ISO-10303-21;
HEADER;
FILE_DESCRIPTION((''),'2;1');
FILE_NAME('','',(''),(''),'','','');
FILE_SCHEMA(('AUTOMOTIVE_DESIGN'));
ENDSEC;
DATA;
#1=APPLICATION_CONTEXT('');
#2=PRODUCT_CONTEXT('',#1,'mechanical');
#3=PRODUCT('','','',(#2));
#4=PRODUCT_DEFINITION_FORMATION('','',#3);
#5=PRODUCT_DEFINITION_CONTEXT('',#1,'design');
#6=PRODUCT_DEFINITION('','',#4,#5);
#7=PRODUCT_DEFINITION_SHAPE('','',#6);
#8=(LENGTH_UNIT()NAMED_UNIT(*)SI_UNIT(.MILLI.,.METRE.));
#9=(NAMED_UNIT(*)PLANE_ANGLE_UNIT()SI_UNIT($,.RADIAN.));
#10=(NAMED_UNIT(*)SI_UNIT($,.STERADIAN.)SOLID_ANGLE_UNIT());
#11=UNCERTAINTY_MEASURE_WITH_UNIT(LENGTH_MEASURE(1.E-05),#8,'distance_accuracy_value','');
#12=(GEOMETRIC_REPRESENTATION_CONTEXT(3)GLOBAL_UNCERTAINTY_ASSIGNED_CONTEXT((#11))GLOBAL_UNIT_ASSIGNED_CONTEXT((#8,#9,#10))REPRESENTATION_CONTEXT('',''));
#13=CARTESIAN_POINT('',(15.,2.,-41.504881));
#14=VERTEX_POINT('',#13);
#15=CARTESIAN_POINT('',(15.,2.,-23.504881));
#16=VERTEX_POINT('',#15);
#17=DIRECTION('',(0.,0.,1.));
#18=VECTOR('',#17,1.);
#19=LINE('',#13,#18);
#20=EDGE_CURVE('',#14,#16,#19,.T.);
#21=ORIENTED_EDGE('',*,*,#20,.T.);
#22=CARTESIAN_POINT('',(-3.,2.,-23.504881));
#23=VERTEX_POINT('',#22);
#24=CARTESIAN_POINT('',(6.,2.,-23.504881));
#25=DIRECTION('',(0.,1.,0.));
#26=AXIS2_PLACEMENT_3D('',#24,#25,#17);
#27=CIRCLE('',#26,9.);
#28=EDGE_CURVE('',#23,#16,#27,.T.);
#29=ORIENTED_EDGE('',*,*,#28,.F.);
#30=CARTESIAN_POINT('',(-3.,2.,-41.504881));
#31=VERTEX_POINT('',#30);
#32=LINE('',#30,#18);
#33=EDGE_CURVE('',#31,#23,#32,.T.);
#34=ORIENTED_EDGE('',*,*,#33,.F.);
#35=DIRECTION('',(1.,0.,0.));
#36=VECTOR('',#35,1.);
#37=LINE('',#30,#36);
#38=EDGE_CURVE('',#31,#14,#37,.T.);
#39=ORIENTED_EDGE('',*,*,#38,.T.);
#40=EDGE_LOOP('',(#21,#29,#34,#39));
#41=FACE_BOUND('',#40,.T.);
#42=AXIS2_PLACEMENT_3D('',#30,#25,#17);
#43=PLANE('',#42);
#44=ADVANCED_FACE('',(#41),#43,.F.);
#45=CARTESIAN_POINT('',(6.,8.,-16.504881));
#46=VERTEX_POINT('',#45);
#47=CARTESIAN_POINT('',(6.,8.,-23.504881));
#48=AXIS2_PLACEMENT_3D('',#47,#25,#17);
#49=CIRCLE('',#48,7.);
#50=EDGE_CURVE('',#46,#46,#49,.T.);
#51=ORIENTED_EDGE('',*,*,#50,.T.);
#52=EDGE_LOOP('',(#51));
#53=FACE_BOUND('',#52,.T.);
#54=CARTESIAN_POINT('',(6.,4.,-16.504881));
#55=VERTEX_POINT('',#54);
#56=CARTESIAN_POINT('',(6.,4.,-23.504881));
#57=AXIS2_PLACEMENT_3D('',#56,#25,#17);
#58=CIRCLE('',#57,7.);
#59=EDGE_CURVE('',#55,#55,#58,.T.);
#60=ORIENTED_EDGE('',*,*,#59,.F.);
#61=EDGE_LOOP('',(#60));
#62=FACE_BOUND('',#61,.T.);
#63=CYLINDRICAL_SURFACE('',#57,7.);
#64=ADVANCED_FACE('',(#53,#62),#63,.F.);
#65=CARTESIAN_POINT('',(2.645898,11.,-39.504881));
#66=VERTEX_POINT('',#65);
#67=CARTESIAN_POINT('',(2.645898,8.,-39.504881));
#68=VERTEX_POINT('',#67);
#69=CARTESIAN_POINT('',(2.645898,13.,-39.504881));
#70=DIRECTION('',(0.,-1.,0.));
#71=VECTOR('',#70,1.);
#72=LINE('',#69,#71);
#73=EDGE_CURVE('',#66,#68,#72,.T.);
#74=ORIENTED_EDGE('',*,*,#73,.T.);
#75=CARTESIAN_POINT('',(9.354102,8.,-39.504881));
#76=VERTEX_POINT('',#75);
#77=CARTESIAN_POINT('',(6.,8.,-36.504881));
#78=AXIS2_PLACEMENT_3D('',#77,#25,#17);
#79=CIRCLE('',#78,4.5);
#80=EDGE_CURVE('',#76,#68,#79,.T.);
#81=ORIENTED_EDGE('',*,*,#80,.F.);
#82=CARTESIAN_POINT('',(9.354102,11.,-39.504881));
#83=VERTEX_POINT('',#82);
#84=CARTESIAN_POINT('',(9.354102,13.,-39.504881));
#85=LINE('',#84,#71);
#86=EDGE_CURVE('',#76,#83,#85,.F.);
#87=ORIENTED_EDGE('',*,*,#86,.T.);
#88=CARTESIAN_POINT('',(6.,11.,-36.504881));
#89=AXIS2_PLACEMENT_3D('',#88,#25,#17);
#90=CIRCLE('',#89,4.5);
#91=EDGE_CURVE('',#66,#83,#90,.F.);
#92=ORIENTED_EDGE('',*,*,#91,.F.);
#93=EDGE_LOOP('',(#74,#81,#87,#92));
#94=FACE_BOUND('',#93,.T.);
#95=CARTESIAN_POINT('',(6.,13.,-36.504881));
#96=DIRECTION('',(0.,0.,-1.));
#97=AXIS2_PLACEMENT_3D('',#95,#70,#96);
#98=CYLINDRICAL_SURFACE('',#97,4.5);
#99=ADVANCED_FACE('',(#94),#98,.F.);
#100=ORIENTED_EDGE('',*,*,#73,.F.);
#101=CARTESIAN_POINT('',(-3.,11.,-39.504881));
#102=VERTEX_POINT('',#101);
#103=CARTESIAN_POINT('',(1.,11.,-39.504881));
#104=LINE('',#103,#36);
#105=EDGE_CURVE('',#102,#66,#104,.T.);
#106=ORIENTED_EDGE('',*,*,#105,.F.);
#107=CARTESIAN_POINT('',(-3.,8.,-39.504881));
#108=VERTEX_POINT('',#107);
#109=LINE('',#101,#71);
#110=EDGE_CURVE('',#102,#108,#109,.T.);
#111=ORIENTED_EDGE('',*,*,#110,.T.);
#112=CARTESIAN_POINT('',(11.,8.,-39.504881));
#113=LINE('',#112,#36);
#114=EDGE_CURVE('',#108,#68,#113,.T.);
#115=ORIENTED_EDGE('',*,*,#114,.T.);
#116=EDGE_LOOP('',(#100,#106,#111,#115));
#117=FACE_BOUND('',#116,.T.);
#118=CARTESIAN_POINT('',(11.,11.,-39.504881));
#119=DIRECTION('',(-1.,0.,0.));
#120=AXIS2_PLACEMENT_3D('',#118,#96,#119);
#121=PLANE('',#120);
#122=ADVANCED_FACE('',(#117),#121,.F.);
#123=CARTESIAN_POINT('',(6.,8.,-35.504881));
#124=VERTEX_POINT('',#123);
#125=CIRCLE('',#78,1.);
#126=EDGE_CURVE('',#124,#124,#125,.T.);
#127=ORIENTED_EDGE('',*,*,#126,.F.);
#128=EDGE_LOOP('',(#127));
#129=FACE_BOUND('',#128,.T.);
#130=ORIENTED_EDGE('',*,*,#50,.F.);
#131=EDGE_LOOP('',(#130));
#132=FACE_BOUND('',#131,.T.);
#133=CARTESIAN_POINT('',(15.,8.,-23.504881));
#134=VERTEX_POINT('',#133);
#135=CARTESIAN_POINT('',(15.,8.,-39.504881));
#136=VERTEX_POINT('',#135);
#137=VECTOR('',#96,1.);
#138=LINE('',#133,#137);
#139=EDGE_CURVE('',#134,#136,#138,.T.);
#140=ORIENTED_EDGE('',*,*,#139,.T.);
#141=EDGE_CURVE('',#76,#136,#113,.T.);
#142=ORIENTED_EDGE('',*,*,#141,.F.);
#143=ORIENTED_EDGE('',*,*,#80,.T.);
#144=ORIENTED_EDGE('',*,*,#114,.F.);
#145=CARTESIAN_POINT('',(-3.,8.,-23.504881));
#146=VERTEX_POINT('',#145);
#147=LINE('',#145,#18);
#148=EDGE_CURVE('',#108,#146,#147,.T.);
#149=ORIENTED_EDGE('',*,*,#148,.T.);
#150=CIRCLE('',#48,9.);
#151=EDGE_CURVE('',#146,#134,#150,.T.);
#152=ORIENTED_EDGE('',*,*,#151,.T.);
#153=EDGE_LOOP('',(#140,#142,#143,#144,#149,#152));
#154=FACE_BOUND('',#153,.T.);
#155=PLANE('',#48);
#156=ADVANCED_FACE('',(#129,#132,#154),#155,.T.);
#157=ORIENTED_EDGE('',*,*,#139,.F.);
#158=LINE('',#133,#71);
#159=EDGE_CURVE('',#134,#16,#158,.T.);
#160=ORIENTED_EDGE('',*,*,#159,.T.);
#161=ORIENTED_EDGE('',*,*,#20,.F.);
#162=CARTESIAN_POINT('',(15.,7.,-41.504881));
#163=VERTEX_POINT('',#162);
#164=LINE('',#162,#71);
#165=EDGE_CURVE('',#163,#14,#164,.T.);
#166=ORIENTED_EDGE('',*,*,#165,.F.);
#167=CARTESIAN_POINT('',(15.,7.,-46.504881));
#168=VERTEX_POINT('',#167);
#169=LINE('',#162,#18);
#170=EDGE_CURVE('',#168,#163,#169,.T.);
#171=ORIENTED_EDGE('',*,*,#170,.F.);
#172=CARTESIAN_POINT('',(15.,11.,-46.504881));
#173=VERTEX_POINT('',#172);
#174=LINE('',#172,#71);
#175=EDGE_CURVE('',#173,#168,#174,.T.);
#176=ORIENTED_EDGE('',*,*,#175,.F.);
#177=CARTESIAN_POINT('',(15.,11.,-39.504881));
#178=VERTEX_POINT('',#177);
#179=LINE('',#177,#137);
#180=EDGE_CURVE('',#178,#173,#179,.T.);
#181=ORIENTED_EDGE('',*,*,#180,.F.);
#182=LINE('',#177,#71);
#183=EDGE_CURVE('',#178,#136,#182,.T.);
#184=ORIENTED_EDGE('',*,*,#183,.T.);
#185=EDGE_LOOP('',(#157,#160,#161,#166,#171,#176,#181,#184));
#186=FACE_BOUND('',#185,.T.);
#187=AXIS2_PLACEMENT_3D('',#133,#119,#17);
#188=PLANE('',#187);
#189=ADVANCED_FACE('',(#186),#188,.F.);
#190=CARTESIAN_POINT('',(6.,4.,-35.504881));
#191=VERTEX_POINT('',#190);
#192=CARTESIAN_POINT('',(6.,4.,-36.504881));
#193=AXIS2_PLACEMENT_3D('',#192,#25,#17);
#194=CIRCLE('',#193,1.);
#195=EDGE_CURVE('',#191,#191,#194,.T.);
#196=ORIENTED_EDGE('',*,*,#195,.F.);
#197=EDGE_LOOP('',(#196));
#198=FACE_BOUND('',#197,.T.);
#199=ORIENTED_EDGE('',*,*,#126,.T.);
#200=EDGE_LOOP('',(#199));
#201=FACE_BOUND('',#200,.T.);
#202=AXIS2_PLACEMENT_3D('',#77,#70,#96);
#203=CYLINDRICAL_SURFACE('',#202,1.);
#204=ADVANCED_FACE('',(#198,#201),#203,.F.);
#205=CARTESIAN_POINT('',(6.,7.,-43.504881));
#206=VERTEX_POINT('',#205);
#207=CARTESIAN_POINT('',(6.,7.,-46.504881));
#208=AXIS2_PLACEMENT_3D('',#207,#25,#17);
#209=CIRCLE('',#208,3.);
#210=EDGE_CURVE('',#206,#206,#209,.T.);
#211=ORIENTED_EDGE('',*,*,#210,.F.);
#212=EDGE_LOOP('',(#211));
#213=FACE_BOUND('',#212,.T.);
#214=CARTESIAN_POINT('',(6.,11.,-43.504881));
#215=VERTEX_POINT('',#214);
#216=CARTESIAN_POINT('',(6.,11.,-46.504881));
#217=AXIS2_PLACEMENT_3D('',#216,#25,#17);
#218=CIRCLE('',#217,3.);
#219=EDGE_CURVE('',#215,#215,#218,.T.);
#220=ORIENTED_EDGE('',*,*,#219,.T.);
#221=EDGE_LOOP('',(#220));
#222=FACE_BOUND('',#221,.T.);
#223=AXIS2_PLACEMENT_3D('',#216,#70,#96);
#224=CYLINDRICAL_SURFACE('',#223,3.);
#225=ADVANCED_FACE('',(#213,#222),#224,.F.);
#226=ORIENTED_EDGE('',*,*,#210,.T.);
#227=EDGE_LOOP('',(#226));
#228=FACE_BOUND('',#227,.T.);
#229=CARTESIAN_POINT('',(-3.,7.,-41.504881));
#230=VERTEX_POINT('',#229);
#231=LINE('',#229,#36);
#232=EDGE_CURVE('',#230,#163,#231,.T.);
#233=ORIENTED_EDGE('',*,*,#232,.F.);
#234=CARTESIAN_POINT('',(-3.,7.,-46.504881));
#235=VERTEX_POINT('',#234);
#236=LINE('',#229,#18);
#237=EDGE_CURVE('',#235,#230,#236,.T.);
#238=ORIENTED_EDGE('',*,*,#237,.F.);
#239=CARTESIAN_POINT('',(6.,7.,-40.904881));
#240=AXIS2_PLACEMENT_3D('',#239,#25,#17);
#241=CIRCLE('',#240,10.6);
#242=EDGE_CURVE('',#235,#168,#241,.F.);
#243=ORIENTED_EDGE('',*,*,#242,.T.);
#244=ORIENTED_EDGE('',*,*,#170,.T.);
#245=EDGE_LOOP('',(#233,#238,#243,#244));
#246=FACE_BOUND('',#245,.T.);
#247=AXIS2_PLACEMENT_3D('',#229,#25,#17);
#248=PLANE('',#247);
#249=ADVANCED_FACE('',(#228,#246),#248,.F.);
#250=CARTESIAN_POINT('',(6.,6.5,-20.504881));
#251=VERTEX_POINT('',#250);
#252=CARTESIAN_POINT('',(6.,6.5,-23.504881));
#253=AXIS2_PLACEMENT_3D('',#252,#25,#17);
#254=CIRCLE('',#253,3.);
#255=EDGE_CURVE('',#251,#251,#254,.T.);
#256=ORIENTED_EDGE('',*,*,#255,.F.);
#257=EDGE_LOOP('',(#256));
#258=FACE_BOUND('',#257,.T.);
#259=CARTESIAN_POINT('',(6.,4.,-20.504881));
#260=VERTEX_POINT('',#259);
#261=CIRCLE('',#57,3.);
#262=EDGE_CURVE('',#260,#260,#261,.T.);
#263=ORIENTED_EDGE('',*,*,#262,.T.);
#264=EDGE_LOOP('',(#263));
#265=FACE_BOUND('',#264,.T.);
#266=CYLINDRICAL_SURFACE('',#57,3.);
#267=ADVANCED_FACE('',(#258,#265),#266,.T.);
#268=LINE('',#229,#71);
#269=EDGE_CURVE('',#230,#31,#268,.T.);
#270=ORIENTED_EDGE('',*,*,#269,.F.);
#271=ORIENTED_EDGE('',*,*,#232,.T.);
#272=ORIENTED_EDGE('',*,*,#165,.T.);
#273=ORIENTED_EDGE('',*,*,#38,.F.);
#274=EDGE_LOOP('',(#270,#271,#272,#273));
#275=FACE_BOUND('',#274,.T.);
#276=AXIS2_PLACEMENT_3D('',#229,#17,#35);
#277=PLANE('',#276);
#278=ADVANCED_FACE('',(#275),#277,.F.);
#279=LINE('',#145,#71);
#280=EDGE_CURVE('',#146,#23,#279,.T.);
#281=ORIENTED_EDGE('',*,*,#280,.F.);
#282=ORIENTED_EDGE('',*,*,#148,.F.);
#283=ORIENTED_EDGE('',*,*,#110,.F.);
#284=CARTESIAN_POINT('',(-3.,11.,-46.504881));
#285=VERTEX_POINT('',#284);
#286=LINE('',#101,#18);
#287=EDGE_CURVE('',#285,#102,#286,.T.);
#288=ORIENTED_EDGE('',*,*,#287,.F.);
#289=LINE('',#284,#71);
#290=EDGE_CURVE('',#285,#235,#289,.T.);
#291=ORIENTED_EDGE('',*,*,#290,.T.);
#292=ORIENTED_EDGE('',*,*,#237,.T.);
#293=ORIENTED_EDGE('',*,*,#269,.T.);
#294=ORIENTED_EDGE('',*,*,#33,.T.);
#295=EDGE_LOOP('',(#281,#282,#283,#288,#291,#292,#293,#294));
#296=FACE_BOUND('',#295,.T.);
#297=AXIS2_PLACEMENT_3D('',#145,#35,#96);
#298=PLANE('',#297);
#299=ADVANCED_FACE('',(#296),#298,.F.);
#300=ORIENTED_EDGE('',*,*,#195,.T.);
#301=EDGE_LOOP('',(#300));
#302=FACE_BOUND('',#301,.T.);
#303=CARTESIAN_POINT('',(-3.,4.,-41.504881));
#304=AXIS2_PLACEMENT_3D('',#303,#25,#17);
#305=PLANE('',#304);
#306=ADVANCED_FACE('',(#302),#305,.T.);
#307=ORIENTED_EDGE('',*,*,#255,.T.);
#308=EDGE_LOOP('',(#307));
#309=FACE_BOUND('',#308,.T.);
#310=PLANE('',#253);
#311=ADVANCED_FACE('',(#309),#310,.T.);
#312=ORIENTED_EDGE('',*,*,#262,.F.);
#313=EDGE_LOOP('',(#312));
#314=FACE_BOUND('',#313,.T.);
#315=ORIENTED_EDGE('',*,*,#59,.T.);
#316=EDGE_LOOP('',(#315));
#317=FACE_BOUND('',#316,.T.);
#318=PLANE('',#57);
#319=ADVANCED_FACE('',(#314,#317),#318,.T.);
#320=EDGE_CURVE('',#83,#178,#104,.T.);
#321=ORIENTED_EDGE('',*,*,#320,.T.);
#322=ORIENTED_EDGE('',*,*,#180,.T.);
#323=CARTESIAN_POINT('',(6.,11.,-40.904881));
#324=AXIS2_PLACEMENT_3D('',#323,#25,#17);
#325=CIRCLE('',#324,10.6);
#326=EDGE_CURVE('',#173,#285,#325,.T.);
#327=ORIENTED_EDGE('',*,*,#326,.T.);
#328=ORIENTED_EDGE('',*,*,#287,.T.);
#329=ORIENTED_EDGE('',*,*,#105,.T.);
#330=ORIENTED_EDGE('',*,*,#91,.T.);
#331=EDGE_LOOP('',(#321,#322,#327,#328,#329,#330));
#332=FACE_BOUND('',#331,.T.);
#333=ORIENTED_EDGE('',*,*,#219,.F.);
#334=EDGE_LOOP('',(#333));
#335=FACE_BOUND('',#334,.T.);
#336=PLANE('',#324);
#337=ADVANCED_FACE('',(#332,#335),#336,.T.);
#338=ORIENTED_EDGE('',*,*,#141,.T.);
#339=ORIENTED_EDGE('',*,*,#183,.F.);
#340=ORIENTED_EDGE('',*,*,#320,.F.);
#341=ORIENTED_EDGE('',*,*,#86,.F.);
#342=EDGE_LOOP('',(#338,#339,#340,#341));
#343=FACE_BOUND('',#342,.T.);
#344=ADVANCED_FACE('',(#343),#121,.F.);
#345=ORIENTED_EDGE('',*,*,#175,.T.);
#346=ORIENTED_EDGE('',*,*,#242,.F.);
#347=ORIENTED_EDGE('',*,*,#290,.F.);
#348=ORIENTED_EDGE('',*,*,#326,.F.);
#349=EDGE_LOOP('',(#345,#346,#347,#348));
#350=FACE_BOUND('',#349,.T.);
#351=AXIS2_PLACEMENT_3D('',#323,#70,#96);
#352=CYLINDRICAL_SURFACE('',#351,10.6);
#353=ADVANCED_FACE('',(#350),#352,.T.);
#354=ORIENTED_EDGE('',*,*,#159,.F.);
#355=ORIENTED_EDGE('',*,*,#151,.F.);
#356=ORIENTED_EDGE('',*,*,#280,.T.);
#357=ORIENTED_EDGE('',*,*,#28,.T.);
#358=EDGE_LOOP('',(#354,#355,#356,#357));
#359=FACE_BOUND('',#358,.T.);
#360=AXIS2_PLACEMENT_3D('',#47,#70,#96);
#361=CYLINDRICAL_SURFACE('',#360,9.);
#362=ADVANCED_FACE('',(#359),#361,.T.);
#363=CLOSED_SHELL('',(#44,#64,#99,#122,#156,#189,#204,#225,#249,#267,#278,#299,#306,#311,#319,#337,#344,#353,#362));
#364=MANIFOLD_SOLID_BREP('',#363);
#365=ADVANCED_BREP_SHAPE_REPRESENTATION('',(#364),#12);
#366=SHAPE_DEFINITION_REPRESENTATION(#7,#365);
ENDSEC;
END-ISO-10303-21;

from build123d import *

# Parameters (mm, degrees)
SKETCH1_R           = 1
BOSS_EXTRUDE1_DEPTH = 8
SKETCH2_R           = 7
SKETCH2_R_2         = 3
CUT_EXTRUDE1_DEPTH  = 4
SKETCH3_R           = 3
CUT_EXTRUDE2_DEPTH  = 1.5
SKETCH8_R           = 3
BOSS_EXTRUDE4_DEPTH = 3
SKETCH9_W           = 12
SKETCH9_H           = 7
CUT_EXTRUDE5_DEPTH  = 19
SKETCH10_R          = 4.5
CUT_EXTRUDE11_DEPTH = 5
SKETCH12_R          = 3
CUT_EXTRUDE12_DEPTH = 5
SKETCH13_W          = 28.183943327
SKETCH13_H          = 2
CUT_EXTRUDE13_DEPTH = 19
BOSS_EXTRUDE5_REACH = 20
SKETCH14_W          = 8.331719186
SKETCH14_H          = 2


with BuildPart() as part:
    # Sketch1 → Boss-Extrude1 (new body)
    with BuildSketch(Plane(origin=(0, 0, 0), x_dir=(1, 0, 0), z_dir=(0, 1, 0))):
        with BuildLine():
            Line((-3, 53.504881109), (15, 53.504881109))
            Line((15, 53.504881109), (15, 23.504881109))
            ThreePointArc((15, 23.504881109), (6, 14.504881109), (-3, 23.504881109))
            Line((-3, 23.504881109), (-3, 53.504881109))
        make_face()
        with Locations((6, 36.504881109)):
            Circle(SKETCH1_R, mode=Mode.SUBTRACT)
        with Locations((6, 46.504881109)):
            Circle(SKETCH1_R, mode=Mode.SUBTRACT)
    extrude(amount=BOSS_EXTRUDE1_DEPTH)

    # Sketch2 → Cut-Extrude1 (cut)
    with BuildSketch(Plane(origin=(0, 8, 0), x_dir=(1, 0, 0), z_dir=(0, 1, 0))):
        with Locations((6, 23.504881109)):
            Circle(SKETCH2_R)
        with Locations((6, 23.504881109)):
            Circle(SKETCH2_R_2, mode=Mode.SUBTRACT)
    extrude(amount=-CUT_EXTRUDE1_DEPTH, mode=Mode.SUBTRACT)

    # Sketch3 → Cut-Extrude2 (cut)
    with BuildSketch(Plane(origin=(0, 8, 0), x_dir=(1, 0, 0), z_dir=(0, 1, 0))):
        with Locations((6, 23.504881109)):
            Circle(SKETCH3_R)
    extrude(amount=-CUT_EXTRUDE2_DEPTH, mode=Mode.SUBTRACT)

    # Sketch8 → Boss-Extrude4 (add)
    with BuildSketch(Plane(origin=(0, 8, 0), x_dir=(1, 0, 0), z_dir=(0, 1, 0))):
        with BuildLine():
            Line((1, 39.504881109), (11, 39.504881109))
            Line((11, 39.504881109), (15, 39.504881109))
            Line((15, 39.504881109), (15, 46.504881109))
            ThreePointArc((15, 46.504881109), (6, 51.504881109), (-3, 46.504881109))
            Line((-3, 46.504881109), (-3, 39.504881109))
            Line((-3, 39.504881109), (1, 39.504881109))
        make_face()
        with Locations((6, 46.504881109)):
            Circle(SKETCH8_R, mode=Mode.SUBTRACT)
    extrude(amount=BOSS_EXTRUDE4_DEPTH)

    # Sketch9 → Cut-Extrude5 (cut, through all)
    with BuildSketch(Plane(origin=(15, 0, 0), x_dir=(0, 0, -1), z_dir=(1, 0, 0))):
        with Locations((47.504881109, 3.5)):
            Rectangle(SKETCH9_W, SKETCH9_H)
    extrude(amount=-CUT_EXTRUDE5_DEPTH, mode=Mode.SUBTRACT)

    # Sketch10 → Cut-Extrude11 (cut)
    with BuildSketch(Plane(origin=(0, 8, 0), x_dir=(1, 0, 0), z_dir=(0, 1, 0))):
        with Locations((6, 36.504881109)):
            Circle(SKETCH10_R)
    extrude(amount=CUT_EXTRUDE11_DEPTH, mode=Mode.SUBTRACT)

    # Sketch12 → Cut-Extrude12 (cut)
    with BuildSketch(Plane(origin=(0, 8, 0), x_dir=(1, 0, 0), z_dir=(0, 1, 0))):
        with Locations((6, 46.504881109)):
            Circle(SKETCH12_R)
        with BuildLine():
            Line((-3, 53.504881109), (15, 53.504881109))
            Line((15, 53.504881109), (15, 46.504881109))
            ThreePointArc((15, 46.504881109), (6, 51.504881109), (-3, 46.504881109))
            Line((-3, 46.504881109), (-3, 53.504881109))
        make_face()
    extrude(amount=-CUT_EXTRUDE12_DEPTH, mode=Mode.SUBTRACT)

    # Sketch13 → Cut-Extrude13 (cut, through all)
    with BuildSketch(Plane(origin=(15, 0, 0), x_dir=(0, 0, -1), z_dir=(1, 0, 0))):
        with Locations((27.412909446, 1)):
            Rectangle(SKETCH13_W, SKETCH13_H)
    extrude(amount=-CUT_EXTRUDE13_DEPTH, mode=Mode.SUBTRACT)

    # Sketch14 → Boss-Extrude5 (add, up to next)
    with BuildSketch(Plane(origin=(15, 0, 0), x_dir=(0, 0, -1), z_dir=(1, 0, 0)), mode=Mode.PRIVATE) as boss_extrude5_sk1:
        with Locations((37.339021516, 3)):
            Rectangle(SKETCH14_W, SKETCH14_H)
    boss_extrude5_tool1 = extrude(boss_extrude5_sk1.sketch, amount=-BOSS_EXTRUDE5_REACH, mode=Mode.PRIVATE) - part.part
    add(boss_extrude5_tool1.solids().sort_by_distance((15, 3, -37.339022))[0])


solid = part.part
